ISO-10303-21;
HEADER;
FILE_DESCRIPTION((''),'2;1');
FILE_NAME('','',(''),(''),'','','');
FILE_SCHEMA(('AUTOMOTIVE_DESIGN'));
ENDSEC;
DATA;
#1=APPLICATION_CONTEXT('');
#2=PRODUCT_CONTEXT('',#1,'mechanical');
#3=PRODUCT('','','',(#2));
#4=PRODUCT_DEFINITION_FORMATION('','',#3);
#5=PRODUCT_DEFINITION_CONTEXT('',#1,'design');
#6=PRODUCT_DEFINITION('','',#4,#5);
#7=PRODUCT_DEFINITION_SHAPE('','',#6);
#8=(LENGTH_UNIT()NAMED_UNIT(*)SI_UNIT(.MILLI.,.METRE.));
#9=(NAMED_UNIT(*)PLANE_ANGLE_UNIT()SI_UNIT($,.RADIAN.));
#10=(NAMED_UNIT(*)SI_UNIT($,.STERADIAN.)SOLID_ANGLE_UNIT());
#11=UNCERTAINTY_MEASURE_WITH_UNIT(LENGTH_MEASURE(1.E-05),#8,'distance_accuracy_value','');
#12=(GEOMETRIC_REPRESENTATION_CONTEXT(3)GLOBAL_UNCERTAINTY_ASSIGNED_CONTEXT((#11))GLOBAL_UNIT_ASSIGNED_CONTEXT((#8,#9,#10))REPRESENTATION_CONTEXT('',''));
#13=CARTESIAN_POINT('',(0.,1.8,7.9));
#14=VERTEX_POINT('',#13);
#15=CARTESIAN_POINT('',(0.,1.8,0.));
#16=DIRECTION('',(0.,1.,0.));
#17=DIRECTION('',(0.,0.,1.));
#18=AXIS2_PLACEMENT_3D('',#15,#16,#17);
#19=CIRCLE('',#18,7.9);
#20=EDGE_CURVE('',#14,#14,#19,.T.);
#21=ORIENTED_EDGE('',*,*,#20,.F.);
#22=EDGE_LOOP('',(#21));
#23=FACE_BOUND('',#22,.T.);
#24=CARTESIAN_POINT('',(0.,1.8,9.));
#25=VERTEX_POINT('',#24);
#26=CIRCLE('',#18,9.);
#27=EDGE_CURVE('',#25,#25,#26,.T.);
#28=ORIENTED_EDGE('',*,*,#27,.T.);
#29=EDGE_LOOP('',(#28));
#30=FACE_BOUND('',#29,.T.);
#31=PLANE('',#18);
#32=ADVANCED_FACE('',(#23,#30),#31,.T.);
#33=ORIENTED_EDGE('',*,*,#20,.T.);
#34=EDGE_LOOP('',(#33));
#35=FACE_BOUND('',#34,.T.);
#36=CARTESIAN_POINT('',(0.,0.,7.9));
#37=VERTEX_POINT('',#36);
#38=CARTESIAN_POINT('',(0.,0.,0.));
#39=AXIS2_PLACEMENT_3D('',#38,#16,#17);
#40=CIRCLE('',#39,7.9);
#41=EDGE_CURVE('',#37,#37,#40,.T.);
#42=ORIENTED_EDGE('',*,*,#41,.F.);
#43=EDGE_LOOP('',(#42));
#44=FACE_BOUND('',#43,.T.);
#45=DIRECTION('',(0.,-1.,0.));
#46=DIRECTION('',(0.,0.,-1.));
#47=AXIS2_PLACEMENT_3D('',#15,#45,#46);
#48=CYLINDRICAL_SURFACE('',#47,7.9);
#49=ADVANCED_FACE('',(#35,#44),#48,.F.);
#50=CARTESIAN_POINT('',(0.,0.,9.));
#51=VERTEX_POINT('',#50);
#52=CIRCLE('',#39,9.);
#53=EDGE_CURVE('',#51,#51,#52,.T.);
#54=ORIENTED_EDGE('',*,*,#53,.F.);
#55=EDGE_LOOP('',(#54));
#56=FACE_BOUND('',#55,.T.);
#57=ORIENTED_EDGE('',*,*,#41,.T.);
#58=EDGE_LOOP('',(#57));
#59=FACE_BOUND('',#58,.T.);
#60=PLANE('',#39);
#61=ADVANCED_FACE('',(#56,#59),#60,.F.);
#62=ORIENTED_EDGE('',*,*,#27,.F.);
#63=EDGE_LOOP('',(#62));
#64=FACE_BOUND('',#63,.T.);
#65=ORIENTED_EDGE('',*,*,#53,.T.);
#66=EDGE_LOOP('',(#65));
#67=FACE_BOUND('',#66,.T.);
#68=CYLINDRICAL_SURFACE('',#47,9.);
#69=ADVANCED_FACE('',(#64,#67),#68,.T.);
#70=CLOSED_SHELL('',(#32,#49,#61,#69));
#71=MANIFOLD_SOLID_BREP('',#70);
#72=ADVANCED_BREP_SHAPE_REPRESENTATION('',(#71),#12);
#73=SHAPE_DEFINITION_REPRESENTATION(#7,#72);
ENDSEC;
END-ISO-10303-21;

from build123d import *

# Parameters (mm, degrees)
SKETCH1_R           = 9
SKETCH1_R_2         = 7.9
BOSS_EXTRUDE1_DEPTH = 1.8


with BuildPart() as part:
    # Sketch1 → Boss-Extrude1 (new body)
    with BuildSketch(Plane(origin=(0, 0, 0), x_dir=(1, 0, 0), z_dir=(0, 1, 0))):
        with Locations(Location((0, 0, 0), (0, 0, 270))):
            Circle(SKETCH1_R)
        with Locations(Location((0, 0, 0), (0, 0, 270))):
            Circle(SKETCH1_R_2, mode=Mode.SUBTRACT)
    extrude(amount=BOSS_EXTRUDE1_DEPTH)


solid = part.part
